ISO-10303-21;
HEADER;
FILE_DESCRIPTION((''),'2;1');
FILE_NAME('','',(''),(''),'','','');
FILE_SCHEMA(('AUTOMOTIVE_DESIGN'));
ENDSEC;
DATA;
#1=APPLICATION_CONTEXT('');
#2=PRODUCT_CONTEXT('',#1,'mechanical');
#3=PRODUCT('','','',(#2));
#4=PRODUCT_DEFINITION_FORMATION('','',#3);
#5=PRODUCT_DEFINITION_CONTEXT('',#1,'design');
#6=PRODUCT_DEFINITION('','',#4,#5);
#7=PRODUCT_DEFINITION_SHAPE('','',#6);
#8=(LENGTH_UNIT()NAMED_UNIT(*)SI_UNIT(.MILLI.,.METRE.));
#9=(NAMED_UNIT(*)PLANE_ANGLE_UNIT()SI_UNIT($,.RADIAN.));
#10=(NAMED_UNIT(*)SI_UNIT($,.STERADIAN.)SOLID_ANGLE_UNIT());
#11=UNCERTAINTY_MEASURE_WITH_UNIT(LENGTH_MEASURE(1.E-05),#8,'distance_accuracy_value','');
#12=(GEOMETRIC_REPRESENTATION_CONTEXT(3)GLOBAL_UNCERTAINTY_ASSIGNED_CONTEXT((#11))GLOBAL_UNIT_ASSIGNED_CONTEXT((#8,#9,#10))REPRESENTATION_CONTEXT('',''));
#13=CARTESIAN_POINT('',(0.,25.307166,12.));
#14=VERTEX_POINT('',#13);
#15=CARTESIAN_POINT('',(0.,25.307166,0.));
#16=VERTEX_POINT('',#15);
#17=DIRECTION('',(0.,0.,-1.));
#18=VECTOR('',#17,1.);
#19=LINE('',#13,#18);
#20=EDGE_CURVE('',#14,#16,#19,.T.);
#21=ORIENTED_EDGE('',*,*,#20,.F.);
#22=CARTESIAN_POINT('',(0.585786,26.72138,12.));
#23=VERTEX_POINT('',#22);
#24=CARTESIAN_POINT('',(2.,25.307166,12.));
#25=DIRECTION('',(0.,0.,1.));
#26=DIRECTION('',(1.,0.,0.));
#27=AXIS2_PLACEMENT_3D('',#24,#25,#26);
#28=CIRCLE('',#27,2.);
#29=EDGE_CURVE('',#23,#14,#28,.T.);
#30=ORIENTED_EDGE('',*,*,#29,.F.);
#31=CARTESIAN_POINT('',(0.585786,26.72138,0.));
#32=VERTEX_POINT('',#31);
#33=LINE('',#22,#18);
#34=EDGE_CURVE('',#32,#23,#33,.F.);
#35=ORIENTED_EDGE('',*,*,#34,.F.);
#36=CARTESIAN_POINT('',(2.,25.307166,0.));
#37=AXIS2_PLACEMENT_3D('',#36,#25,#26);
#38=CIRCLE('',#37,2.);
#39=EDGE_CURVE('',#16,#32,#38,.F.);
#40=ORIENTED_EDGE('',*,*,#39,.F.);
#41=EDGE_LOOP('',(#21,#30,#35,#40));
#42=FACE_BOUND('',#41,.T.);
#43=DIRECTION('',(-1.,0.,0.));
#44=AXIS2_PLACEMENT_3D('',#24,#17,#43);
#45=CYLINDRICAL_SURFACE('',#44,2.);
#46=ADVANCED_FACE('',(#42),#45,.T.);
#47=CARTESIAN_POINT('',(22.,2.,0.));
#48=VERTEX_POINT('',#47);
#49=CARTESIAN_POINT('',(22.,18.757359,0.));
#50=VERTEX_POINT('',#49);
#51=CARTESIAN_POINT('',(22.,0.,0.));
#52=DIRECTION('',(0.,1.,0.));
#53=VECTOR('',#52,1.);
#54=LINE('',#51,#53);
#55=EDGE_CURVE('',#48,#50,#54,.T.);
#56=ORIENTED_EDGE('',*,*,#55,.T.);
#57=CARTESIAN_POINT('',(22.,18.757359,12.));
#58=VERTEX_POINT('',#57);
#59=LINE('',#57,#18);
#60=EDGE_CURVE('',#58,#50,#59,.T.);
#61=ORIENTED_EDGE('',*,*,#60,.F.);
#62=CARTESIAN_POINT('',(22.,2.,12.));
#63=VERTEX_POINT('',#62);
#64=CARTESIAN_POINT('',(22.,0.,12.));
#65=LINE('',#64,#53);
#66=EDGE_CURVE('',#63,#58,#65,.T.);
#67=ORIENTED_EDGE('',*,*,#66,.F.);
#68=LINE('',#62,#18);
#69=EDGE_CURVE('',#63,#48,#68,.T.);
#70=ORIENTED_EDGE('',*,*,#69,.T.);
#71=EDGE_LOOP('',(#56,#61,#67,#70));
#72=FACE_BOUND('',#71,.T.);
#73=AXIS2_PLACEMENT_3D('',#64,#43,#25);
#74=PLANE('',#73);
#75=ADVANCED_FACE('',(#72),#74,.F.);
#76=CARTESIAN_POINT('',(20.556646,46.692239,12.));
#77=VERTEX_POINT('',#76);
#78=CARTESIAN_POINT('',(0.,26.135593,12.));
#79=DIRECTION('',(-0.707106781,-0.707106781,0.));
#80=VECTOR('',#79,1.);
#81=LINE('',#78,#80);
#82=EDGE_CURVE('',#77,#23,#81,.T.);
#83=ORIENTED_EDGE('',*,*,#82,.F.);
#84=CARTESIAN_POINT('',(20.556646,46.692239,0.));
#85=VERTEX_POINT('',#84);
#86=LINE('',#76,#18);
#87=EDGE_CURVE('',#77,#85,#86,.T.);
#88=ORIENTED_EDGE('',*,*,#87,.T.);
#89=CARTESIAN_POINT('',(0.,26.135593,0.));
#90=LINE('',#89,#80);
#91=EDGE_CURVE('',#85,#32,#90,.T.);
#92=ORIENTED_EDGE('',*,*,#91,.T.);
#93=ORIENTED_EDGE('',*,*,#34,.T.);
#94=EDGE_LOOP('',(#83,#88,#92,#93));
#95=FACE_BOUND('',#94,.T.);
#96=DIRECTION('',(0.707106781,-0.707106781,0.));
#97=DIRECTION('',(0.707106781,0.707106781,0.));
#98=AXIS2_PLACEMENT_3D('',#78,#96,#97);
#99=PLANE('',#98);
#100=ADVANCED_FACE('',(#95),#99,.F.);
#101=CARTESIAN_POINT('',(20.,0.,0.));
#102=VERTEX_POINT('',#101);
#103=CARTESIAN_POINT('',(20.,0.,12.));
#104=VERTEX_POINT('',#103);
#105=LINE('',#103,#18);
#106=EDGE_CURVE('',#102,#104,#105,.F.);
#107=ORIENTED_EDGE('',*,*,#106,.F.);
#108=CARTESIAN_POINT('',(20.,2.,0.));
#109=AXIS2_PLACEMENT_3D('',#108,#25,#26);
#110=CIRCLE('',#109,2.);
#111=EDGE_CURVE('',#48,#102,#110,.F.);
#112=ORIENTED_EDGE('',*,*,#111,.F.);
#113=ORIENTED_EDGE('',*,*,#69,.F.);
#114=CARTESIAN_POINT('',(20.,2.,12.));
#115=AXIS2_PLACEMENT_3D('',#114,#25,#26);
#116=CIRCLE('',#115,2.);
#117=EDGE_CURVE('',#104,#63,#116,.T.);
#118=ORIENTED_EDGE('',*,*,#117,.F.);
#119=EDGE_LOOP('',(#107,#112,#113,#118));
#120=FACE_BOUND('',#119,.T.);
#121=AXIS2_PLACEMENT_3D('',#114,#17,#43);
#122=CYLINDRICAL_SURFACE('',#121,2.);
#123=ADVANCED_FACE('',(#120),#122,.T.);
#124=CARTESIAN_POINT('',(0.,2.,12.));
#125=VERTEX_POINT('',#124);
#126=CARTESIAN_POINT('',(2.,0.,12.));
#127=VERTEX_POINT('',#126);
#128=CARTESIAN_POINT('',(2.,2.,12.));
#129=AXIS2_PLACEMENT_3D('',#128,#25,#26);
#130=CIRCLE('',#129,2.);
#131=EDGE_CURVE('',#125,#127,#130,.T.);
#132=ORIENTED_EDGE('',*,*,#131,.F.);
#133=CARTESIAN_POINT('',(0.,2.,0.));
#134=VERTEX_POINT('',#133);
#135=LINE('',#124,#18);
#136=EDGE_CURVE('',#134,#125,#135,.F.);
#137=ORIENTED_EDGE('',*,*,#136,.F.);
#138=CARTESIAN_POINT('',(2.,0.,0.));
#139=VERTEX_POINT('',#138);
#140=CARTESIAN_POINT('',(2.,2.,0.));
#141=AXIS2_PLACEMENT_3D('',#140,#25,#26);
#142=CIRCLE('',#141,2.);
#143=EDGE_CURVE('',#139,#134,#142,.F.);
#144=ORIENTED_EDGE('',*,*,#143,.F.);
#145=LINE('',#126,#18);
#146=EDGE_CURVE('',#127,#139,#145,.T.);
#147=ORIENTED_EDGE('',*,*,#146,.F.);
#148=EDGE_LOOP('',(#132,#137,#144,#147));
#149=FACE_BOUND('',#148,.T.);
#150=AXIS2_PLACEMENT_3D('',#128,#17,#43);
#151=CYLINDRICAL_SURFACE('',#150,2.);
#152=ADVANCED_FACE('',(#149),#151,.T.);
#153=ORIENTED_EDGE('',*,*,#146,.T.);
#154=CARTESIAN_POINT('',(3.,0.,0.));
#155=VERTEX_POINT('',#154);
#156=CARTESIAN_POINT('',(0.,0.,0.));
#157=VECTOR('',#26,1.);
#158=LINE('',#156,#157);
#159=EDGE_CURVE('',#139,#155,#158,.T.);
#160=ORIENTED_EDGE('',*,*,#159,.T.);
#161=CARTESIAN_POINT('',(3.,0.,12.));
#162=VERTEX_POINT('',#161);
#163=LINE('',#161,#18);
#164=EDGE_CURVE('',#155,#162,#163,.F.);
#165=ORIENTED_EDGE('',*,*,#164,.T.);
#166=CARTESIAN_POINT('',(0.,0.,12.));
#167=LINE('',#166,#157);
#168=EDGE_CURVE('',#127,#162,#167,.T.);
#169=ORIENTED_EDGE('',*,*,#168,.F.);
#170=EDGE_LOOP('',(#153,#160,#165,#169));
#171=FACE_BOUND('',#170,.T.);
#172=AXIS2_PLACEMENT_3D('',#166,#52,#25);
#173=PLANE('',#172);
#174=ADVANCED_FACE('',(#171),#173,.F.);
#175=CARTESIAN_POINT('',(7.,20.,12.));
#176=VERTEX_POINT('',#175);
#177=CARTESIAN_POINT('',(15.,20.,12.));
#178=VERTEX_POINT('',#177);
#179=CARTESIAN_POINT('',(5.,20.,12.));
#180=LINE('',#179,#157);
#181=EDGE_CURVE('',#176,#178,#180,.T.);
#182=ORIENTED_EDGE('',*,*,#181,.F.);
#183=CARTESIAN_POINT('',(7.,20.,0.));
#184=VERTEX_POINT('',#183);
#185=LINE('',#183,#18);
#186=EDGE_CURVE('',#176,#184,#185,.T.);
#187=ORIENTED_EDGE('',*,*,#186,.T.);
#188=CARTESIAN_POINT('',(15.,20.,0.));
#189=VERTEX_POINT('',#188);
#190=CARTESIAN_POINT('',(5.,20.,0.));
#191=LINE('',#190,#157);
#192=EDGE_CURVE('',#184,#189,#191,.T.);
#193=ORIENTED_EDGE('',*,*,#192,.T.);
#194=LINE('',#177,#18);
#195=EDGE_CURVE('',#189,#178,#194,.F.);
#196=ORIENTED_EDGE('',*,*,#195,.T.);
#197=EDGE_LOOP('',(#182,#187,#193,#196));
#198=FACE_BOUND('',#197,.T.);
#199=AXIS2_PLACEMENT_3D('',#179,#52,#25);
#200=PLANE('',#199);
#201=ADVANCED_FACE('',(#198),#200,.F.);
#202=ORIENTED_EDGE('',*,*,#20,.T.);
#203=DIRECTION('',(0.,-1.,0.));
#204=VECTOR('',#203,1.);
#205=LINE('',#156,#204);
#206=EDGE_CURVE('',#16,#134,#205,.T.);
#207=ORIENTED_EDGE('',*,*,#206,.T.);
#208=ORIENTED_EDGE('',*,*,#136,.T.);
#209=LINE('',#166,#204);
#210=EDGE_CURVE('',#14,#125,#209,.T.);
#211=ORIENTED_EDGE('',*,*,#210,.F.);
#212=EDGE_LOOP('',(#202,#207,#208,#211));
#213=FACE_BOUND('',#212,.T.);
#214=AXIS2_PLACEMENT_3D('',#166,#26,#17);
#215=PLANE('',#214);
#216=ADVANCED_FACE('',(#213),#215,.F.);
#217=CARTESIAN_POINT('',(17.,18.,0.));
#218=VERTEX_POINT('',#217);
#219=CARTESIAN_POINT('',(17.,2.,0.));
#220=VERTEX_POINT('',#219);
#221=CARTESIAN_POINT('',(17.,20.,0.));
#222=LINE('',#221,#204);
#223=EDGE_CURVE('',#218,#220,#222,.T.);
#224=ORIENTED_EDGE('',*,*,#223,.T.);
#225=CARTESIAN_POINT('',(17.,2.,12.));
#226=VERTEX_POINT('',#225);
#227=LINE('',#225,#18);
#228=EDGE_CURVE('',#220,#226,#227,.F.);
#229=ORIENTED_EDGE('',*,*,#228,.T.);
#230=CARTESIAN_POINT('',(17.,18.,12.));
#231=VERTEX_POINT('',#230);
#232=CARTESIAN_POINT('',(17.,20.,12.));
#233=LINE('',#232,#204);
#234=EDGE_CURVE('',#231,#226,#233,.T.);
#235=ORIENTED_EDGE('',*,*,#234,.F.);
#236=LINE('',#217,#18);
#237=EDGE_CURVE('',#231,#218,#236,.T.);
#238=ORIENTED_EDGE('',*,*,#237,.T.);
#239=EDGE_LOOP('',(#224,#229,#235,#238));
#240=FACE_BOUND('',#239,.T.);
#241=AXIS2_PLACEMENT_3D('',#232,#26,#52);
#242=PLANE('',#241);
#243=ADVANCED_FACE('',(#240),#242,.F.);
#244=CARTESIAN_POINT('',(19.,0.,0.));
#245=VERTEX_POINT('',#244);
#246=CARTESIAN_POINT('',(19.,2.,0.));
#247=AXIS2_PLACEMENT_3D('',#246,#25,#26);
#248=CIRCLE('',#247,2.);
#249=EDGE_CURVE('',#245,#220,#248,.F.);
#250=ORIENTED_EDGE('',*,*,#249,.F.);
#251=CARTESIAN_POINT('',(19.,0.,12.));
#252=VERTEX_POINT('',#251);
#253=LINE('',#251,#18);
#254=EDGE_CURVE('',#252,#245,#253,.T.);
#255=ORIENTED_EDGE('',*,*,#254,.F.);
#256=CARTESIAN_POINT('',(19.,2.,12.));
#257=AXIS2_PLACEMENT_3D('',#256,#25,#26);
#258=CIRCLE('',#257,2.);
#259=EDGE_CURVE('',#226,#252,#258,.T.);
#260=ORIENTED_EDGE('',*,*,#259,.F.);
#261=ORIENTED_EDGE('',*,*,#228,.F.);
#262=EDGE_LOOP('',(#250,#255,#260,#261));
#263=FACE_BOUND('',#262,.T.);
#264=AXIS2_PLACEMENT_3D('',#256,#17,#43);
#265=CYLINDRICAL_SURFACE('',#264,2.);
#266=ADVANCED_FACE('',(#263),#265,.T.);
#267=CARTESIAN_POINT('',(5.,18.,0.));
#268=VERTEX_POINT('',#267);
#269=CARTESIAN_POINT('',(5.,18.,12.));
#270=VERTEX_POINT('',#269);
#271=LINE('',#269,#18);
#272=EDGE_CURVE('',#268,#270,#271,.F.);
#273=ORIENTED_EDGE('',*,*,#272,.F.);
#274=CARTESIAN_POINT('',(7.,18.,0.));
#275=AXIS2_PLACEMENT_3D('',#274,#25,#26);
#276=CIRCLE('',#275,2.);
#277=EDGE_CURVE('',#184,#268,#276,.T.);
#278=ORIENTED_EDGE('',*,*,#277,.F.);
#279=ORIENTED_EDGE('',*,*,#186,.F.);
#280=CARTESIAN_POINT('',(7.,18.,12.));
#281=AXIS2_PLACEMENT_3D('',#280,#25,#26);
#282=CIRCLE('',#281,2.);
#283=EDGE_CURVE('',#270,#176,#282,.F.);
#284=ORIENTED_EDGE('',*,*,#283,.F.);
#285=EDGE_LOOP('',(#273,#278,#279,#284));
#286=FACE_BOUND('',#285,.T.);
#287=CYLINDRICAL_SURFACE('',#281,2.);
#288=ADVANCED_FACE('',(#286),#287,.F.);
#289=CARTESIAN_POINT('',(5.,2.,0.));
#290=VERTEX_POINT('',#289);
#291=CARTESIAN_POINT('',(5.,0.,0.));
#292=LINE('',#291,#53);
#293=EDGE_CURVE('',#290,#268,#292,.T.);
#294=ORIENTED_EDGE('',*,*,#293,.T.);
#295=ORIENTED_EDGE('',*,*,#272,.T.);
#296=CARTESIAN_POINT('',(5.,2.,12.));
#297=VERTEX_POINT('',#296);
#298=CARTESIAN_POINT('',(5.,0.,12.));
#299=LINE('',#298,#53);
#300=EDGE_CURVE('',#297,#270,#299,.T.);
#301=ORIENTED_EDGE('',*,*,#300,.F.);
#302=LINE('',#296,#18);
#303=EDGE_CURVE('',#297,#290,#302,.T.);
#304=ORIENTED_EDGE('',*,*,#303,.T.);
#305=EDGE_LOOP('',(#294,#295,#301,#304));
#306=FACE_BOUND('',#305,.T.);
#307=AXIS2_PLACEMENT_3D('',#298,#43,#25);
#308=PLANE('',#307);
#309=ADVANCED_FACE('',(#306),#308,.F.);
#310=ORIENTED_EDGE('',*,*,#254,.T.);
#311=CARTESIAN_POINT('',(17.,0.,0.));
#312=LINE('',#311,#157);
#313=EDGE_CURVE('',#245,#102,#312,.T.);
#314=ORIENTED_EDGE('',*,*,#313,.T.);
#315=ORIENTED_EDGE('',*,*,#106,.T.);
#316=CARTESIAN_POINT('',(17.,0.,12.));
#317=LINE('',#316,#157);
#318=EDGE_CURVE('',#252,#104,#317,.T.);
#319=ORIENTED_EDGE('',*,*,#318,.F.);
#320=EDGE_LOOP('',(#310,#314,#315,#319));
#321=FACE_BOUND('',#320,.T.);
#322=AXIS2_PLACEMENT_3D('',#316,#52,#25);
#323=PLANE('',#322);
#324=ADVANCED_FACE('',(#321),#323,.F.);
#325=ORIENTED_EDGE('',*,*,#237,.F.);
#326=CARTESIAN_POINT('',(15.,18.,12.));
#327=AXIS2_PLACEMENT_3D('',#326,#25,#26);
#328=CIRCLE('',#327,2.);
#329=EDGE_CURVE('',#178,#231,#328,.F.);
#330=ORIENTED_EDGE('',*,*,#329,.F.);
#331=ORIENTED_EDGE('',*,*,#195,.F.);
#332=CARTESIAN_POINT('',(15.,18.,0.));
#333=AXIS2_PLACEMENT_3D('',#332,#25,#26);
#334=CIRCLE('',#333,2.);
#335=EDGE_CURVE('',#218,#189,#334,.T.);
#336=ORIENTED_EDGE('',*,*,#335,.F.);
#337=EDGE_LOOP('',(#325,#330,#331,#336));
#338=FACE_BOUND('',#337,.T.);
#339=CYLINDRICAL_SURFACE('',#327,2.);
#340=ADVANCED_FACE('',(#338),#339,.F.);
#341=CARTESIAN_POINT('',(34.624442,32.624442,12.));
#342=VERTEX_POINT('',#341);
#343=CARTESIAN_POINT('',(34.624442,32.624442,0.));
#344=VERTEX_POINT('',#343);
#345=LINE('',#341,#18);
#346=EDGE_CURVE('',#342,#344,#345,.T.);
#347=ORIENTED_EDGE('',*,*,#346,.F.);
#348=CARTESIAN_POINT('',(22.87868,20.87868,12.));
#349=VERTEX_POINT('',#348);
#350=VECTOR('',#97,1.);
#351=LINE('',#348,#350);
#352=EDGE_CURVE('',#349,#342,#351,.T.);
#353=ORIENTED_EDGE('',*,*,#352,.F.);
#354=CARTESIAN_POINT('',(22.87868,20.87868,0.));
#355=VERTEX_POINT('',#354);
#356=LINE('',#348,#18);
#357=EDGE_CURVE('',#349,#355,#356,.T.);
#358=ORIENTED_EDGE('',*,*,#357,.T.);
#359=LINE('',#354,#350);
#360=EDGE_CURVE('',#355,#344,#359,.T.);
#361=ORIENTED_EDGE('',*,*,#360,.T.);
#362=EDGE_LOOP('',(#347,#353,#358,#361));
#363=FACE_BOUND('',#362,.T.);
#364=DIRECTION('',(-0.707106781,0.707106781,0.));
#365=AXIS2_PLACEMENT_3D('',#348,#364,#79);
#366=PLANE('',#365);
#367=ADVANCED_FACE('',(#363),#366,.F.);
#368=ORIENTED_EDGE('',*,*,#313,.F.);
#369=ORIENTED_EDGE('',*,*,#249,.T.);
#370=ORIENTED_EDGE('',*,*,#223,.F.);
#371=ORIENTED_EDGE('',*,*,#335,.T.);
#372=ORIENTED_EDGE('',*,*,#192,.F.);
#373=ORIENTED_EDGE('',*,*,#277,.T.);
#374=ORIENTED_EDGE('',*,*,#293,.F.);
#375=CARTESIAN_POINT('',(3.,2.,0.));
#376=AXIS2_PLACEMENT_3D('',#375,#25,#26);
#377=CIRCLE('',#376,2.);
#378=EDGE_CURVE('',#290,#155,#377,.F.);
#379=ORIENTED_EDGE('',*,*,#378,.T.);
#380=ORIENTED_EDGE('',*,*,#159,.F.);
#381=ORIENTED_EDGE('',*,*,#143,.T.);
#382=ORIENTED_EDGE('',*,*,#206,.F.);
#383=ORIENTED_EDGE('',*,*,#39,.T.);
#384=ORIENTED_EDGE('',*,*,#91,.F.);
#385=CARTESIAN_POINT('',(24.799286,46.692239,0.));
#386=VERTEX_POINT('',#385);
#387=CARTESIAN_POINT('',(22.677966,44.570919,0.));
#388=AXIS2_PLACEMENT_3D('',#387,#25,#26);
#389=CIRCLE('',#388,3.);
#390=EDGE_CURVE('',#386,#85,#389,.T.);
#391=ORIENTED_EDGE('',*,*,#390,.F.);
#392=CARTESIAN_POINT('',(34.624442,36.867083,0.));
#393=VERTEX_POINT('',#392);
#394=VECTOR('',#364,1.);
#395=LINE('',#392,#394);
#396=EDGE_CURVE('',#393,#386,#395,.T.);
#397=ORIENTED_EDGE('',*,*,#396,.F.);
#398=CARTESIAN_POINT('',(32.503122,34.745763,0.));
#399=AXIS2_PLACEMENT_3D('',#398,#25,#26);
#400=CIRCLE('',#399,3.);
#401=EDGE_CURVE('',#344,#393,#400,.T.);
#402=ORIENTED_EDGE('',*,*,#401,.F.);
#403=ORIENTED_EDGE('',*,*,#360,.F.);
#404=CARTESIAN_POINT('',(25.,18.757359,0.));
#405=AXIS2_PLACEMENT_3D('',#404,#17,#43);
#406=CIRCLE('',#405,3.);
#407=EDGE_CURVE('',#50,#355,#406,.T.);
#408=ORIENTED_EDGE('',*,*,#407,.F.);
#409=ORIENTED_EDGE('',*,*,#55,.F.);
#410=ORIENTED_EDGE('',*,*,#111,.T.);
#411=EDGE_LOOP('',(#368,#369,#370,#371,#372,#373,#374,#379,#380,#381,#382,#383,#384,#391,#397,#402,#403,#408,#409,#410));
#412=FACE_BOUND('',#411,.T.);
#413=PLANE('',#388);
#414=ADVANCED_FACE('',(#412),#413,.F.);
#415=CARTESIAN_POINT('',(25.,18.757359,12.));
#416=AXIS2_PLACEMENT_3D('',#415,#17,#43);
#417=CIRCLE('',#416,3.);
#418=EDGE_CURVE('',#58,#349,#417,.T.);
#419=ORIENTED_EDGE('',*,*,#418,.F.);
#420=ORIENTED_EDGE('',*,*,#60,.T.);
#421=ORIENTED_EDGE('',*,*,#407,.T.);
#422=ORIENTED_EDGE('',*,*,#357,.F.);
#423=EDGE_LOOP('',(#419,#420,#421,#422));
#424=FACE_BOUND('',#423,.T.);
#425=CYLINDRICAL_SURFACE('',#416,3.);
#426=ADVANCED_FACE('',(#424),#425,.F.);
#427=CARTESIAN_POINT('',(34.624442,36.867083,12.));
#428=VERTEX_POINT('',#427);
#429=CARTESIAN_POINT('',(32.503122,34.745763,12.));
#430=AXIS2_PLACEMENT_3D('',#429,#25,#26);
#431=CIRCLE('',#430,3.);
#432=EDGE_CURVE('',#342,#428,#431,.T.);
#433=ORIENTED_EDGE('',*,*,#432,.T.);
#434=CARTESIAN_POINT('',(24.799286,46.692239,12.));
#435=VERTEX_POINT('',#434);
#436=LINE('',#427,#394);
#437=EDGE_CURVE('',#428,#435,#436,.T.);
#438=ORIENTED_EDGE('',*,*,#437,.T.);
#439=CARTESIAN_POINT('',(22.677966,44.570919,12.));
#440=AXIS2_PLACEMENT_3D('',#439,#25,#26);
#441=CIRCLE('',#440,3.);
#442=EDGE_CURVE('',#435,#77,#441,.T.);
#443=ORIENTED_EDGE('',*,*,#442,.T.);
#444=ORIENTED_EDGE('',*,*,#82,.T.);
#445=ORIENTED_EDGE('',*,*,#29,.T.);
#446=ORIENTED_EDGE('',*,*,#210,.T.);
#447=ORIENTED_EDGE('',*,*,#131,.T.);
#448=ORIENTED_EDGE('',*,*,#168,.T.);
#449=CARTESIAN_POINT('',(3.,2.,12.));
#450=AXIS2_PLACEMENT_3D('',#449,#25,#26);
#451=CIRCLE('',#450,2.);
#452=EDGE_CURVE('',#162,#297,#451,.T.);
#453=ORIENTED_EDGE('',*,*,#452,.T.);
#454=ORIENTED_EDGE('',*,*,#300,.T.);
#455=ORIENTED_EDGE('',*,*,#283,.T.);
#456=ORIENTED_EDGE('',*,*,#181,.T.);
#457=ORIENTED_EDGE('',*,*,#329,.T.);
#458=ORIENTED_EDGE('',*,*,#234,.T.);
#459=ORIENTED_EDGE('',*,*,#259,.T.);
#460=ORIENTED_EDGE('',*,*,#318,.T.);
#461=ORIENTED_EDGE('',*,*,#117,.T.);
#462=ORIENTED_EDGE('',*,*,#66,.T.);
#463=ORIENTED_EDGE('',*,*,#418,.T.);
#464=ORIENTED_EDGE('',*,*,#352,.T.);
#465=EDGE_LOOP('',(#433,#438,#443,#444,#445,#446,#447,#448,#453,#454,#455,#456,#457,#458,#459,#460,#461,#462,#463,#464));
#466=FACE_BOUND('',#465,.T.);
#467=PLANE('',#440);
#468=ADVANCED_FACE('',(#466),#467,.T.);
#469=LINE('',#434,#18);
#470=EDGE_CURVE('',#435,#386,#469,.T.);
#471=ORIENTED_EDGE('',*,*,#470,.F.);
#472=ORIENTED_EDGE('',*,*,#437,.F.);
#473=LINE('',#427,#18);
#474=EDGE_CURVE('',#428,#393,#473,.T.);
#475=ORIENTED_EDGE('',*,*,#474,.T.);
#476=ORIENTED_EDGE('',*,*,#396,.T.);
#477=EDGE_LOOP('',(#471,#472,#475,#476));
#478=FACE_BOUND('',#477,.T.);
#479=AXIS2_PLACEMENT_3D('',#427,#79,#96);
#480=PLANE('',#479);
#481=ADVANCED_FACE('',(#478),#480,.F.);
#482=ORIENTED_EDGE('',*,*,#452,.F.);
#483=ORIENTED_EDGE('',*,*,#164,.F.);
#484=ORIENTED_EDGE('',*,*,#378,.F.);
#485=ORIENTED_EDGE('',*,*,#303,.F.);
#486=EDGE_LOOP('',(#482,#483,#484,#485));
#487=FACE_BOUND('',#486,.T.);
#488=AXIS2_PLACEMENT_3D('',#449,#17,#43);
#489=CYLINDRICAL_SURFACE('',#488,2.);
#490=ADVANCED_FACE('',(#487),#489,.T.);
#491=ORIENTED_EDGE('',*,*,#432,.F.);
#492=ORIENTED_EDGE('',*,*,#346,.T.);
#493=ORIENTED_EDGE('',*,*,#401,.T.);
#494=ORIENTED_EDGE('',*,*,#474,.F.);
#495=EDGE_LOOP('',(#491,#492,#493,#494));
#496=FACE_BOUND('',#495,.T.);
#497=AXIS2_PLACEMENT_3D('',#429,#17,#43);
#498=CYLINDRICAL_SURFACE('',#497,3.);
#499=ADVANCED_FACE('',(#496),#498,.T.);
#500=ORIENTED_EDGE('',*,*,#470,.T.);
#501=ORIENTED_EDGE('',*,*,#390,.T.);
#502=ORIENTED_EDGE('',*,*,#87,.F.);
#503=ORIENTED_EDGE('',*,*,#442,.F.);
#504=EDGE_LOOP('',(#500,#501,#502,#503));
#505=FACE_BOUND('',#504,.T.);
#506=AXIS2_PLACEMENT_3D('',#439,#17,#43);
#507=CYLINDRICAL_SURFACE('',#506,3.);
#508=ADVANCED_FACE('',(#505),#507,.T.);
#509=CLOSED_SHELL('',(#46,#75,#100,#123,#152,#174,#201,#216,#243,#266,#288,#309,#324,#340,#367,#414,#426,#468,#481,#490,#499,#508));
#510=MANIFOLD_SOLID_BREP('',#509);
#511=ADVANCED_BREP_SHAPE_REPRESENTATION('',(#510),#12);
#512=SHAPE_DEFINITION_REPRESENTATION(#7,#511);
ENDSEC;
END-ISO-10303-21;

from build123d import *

# Parameters (mm, degrees)
EXTRUDE_1_DEPTH = 12
FILLET_1_R      = 2


with BuildPart() as part:
    # Эскиз1 → Бобышка-Вытянуть1 (new body)
    with BuildSketch(Plane.XY):
        with BuildLine():
            Line((0, 0), (5, 0))
            Line((5, 0), (5, 20))
            Line((5, 20), (17, 20))
            Line((17, 20), (17, 0))
            Line((17, 0), (22, 0))
            Line((22, 0), (22, 18.757359313))
            ThreePointArc((22, 18.757359313), (22.228361402, 19.90540961), (22.878679656, 20.878679656))
            Line((22.878679656, 20.878679656), (34.624442368, 32.624442368))
            ThreePointArc((34.624442368, 32.624442368), (35.503122025, 34.745762712), (34.624442368, 36.867083055))
            Line((34.624442368, 36.867083055), (24.799286445, 46.692238978))
            ThreePointArc((24.799286445, 46.692238978), (22.677966102, 47.570918635), (20.556645758, 46.692238978))
            Line((20.556645758, 46.692238978), (0, 26.13559322))
            Line((0, 26.13559322), (0, 0))
        make_face()
    extrude(amount=EXTRUDE_1_DEPTH)

    # Скругление1
    fillet_1_edges = [part.edges().sort_by_distance(p)[0] for p in [
        (0, 26.13559322, 6),
        (22, 0, 6),
        (17, 0, 6),
        (17, 20, 6),
        (5, 20, 6),
        (5, 0, 6),
        (0, 0, 6),
    ]]
    fillet(fillet_1_edges, radius=FILLET_1_R)


solid = part.part
